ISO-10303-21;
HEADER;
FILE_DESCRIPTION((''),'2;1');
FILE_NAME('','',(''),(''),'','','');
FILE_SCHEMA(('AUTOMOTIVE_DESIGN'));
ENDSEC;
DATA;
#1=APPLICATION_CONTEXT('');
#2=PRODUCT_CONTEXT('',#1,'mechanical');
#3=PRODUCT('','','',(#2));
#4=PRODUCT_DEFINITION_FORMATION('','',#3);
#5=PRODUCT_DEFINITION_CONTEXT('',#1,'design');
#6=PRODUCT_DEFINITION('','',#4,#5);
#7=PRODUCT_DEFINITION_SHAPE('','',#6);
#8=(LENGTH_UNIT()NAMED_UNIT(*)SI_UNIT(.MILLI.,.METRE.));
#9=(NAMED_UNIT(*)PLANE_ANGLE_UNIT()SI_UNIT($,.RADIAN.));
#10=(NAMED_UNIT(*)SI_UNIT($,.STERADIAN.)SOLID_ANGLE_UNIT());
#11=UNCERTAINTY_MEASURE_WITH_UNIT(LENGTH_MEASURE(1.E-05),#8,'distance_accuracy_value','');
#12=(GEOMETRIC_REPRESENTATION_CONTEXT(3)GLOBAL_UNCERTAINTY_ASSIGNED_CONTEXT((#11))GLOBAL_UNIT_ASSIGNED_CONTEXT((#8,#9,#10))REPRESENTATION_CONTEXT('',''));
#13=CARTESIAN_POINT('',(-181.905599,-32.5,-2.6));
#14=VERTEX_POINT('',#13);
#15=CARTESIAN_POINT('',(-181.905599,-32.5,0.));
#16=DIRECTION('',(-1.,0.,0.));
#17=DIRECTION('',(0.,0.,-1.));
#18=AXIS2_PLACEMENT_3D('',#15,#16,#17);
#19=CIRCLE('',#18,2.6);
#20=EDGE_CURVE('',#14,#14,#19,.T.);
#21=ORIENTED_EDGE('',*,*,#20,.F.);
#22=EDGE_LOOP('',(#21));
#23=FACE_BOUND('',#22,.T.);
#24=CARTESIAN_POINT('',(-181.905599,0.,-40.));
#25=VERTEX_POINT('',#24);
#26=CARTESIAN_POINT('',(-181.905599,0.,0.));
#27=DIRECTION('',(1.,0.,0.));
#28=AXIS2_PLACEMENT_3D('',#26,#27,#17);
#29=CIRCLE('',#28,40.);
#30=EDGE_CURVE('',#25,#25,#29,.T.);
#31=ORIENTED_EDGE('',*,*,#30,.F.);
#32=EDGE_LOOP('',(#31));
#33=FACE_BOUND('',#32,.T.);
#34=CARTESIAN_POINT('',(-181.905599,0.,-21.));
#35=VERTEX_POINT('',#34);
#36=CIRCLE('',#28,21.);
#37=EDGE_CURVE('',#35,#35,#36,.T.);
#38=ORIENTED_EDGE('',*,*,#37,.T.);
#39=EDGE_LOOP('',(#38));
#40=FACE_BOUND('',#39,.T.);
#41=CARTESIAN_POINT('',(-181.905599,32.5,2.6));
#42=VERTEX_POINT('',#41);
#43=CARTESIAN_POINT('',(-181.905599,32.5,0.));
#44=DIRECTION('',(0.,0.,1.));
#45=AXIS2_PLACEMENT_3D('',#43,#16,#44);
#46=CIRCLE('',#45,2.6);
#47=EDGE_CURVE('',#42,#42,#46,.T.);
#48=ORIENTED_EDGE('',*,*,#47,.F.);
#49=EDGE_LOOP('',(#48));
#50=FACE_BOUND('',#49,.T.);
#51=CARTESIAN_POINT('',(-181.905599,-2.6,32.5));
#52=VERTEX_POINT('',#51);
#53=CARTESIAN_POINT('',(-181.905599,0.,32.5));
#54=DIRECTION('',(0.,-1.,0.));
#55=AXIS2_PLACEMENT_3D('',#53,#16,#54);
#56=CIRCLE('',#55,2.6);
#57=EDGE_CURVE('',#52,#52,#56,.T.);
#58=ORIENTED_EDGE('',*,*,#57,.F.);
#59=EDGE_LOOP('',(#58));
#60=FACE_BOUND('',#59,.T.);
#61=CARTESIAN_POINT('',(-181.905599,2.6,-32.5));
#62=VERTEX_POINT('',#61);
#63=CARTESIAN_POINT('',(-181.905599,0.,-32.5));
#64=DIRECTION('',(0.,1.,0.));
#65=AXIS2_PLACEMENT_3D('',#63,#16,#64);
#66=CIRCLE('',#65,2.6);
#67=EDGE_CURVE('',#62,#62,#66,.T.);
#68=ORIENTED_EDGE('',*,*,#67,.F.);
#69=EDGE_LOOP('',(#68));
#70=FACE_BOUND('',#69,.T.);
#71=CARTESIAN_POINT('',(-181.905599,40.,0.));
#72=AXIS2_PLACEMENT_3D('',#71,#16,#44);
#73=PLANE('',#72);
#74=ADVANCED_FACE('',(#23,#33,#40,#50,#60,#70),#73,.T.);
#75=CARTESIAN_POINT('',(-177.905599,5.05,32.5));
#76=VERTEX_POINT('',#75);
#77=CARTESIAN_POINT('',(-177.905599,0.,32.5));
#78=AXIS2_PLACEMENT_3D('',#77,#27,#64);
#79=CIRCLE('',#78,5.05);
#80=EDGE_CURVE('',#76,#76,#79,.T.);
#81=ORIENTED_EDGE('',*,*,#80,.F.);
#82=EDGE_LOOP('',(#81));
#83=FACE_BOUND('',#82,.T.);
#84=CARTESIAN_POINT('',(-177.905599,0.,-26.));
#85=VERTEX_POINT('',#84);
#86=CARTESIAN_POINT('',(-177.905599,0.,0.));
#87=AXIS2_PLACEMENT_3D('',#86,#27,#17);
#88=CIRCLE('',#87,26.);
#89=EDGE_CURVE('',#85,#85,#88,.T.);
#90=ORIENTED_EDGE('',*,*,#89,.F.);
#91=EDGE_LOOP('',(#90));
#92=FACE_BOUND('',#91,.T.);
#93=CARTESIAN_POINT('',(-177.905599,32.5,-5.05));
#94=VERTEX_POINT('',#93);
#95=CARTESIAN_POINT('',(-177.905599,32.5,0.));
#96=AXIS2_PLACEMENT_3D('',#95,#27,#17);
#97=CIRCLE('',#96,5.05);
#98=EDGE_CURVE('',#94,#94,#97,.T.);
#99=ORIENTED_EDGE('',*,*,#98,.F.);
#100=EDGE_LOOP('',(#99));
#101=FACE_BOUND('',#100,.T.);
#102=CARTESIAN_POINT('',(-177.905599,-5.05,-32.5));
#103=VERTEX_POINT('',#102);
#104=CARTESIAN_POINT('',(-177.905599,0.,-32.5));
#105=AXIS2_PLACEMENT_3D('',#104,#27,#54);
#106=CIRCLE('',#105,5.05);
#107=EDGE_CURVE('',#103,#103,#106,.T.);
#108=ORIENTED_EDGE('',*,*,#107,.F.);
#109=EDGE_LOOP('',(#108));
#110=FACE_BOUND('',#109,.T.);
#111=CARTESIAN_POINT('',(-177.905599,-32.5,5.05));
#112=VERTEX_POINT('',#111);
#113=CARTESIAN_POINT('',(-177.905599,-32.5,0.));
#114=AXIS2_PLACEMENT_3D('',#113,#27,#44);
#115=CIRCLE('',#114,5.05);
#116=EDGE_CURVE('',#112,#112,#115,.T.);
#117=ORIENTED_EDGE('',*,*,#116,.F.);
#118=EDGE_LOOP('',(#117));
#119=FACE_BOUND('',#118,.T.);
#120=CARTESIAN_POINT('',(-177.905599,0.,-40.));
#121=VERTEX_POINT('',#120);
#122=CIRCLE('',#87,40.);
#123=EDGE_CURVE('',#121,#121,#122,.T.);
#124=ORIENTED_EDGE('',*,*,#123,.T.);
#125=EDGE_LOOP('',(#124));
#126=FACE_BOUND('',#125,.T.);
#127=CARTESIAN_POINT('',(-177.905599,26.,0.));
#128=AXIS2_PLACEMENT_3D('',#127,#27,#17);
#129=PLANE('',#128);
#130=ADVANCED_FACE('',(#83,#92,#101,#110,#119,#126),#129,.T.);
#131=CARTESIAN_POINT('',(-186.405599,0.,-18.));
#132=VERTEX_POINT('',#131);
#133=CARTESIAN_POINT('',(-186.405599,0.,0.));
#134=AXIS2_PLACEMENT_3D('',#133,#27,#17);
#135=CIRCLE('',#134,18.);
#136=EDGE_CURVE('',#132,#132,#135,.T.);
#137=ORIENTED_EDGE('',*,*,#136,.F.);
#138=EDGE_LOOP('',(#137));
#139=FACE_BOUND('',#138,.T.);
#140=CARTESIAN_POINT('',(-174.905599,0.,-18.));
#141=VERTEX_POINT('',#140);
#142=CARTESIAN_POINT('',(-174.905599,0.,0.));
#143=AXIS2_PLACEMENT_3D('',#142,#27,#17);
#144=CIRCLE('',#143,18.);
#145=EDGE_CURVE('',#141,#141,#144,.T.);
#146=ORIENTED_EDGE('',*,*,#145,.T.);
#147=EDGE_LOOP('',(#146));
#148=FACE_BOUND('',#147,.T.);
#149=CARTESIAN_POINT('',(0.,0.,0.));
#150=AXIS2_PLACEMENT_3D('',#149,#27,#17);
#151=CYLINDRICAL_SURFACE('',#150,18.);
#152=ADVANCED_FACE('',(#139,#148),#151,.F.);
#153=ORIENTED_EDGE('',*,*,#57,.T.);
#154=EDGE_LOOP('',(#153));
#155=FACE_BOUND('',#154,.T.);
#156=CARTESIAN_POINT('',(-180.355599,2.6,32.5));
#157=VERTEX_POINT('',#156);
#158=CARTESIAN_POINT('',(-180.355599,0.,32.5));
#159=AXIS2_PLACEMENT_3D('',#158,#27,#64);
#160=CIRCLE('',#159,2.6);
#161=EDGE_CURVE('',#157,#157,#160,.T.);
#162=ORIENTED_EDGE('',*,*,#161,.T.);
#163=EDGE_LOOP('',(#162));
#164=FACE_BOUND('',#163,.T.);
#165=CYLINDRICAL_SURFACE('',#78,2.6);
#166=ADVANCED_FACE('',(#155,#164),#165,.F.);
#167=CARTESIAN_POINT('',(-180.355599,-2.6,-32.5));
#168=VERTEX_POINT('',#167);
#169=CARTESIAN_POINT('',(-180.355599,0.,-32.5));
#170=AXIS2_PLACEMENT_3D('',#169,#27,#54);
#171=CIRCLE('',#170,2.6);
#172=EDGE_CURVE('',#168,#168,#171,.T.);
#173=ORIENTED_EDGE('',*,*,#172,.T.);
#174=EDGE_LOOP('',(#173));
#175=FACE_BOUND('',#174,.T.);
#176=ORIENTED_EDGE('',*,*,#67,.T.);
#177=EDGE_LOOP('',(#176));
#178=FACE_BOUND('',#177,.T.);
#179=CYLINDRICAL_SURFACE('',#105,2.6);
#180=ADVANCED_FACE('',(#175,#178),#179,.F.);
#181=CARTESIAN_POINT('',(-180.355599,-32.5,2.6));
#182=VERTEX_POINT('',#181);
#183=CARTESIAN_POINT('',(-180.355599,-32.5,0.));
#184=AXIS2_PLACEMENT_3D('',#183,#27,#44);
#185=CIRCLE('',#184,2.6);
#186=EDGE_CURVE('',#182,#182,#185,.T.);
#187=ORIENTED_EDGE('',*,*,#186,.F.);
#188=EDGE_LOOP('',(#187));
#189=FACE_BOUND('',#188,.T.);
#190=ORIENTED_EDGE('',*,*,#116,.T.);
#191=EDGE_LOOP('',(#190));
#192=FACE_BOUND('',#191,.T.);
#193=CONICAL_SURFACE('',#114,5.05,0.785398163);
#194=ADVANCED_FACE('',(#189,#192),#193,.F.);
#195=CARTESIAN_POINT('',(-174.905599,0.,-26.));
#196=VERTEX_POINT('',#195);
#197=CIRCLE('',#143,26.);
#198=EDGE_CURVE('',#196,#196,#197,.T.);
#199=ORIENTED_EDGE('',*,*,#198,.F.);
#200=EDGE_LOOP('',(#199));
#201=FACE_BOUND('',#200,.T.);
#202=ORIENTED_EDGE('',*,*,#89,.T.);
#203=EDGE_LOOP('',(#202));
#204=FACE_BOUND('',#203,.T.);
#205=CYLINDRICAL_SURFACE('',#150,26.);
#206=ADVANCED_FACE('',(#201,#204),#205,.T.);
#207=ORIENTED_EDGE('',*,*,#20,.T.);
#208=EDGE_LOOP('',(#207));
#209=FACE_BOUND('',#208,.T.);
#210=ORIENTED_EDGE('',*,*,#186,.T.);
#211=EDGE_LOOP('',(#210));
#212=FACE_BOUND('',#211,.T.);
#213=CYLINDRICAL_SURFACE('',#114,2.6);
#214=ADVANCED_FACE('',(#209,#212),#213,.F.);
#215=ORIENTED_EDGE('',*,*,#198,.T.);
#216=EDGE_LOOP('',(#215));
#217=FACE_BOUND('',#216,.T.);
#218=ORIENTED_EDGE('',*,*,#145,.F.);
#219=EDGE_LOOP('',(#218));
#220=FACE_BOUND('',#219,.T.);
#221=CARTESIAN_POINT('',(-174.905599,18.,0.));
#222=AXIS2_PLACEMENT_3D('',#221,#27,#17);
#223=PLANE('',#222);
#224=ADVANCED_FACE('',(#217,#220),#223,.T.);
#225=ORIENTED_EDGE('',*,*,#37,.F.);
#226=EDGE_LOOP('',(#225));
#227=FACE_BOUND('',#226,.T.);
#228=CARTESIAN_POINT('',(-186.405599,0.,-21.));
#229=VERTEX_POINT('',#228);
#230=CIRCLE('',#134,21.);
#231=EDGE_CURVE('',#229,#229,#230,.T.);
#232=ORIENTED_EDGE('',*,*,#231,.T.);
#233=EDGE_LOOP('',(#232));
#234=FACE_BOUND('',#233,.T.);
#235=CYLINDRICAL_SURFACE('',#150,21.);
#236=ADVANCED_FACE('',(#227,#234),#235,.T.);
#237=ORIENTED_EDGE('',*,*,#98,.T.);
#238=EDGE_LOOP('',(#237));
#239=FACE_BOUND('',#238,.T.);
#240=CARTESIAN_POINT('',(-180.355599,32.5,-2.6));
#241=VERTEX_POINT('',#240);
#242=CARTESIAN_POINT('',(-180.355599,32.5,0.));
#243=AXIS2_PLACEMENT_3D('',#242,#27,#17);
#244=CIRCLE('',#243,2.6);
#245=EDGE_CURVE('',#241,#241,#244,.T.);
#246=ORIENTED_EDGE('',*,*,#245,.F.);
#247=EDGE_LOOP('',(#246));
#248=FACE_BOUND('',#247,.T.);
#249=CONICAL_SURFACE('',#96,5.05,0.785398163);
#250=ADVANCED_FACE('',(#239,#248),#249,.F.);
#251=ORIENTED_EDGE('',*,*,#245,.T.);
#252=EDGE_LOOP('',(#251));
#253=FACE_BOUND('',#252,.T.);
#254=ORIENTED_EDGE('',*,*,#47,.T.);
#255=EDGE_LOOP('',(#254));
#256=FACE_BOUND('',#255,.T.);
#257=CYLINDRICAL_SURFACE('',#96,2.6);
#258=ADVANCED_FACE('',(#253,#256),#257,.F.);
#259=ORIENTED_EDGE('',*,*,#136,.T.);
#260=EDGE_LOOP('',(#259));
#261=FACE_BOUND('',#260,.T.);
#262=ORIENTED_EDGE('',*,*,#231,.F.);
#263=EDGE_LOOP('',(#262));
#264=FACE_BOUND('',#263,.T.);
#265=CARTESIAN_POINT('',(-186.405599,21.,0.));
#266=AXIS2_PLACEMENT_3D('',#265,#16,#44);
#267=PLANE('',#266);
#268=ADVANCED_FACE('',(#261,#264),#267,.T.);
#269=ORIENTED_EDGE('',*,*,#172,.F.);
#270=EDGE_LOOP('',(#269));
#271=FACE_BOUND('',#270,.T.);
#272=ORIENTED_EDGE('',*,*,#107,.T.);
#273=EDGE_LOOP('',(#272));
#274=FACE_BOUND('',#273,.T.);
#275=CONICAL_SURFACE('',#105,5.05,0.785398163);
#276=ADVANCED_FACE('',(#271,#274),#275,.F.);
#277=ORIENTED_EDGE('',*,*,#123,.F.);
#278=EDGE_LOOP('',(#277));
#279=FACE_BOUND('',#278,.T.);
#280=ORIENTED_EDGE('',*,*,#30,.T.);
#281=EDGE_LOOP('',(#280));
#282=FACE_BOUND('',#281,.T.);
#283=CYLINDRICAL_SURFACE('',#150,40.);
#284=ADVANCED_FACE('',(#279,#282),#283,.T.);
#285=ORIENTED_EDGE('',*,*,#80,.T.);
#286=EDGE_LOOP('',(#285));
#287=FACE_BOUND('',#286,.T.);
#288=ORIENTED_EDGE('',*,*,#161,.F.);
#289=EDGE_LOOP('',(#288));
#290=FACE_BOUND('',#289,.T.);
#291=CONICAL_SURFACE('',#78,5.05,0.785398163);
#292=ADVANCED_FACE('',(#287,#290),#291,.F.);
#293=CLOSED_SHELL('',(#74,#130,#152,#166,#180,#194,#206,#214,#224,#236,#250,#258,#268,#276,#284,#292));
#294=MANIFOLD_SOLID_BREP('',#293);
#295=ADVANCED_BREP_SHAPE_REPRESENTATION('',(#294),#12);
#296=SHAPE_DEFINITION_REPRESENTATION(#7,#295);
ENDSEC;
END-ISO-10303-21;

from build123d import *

# Parameters (mm, degrees)
CSK_FOR_M5_COUNTERSUNK_FLAT_HEAD_SCREW1_D           = 5.2
CSK_FOR_M5_COUNTERSUNK_FLAT_HEAD_SCREW1_CSINK_D     = 10.1
CSK_FOR_M5_COUNTERSUNK_FLAT_HEAD_SCREW1_CSINK_ANGLE = 90
CIRPATTERN1_COUNT                                   = 4


with BuildPart() as part:
    # Sketch2 → Revolve1 (revolve)
    with BuildSketch(Plane.XY, mode=Mode.PRIVATE) as revolve1_sk:
        Polygon((-174.905599099, 26), (-177.905599099, 26), (-177.905599099, 40), (-181.905599099, 40), (-181.905599099, 21), (-186.405599099, 21), (-186.405599099, 18), (-174.905599099, 18), align=None)
    revolve(revolve1_sk.sketch.rotate(Axis((0, 0, 0), (-1, 0, 0)), 90), axis=Axis((0, 0, 0), (-1, 0, 0)))

    # CSK for M5 Countersunk Flat Head Screw1 (through all)
    with Locations(Plane(origin=(-177.905599099, 0, 0), x_dir=(0, 0, -1), z_dir=(1, 0, 0))):
        with Locations((0, 32.5)):
            csk_for_m5_countersunk_flat_head_screw1 = CounterSinkHole(CSK_FOR_M5_COUNTERSUNK_FLAT_HEAD_SCREW1_D / 2, CSK_FOR_M5_COUNTERSUNK_FLAT_HEAD_SCREW1_CSINK_D / 2, counter_sink_angle=CSK_FOR_M5_COUNTERSUNK_FLAT_HEAD_SCREW1_CSINK_ANGLE)

    # CirPattern1: CSK for M5 Countersunk Flat Head Screw1 ×4 about axis
    cirpattern1_axis = Axis((0, 0, 0), (1, 0, 0))
    for i in range(1, CIRPATTERN1_COUNT):
        add(csk_for_m5_countersunk_flat_head_screw1.rotate(cirpattern1_axis, i * 360 / CIRPATTERN1_COUNT), mode=Mode.SUBTRACT)


solid = part.part
